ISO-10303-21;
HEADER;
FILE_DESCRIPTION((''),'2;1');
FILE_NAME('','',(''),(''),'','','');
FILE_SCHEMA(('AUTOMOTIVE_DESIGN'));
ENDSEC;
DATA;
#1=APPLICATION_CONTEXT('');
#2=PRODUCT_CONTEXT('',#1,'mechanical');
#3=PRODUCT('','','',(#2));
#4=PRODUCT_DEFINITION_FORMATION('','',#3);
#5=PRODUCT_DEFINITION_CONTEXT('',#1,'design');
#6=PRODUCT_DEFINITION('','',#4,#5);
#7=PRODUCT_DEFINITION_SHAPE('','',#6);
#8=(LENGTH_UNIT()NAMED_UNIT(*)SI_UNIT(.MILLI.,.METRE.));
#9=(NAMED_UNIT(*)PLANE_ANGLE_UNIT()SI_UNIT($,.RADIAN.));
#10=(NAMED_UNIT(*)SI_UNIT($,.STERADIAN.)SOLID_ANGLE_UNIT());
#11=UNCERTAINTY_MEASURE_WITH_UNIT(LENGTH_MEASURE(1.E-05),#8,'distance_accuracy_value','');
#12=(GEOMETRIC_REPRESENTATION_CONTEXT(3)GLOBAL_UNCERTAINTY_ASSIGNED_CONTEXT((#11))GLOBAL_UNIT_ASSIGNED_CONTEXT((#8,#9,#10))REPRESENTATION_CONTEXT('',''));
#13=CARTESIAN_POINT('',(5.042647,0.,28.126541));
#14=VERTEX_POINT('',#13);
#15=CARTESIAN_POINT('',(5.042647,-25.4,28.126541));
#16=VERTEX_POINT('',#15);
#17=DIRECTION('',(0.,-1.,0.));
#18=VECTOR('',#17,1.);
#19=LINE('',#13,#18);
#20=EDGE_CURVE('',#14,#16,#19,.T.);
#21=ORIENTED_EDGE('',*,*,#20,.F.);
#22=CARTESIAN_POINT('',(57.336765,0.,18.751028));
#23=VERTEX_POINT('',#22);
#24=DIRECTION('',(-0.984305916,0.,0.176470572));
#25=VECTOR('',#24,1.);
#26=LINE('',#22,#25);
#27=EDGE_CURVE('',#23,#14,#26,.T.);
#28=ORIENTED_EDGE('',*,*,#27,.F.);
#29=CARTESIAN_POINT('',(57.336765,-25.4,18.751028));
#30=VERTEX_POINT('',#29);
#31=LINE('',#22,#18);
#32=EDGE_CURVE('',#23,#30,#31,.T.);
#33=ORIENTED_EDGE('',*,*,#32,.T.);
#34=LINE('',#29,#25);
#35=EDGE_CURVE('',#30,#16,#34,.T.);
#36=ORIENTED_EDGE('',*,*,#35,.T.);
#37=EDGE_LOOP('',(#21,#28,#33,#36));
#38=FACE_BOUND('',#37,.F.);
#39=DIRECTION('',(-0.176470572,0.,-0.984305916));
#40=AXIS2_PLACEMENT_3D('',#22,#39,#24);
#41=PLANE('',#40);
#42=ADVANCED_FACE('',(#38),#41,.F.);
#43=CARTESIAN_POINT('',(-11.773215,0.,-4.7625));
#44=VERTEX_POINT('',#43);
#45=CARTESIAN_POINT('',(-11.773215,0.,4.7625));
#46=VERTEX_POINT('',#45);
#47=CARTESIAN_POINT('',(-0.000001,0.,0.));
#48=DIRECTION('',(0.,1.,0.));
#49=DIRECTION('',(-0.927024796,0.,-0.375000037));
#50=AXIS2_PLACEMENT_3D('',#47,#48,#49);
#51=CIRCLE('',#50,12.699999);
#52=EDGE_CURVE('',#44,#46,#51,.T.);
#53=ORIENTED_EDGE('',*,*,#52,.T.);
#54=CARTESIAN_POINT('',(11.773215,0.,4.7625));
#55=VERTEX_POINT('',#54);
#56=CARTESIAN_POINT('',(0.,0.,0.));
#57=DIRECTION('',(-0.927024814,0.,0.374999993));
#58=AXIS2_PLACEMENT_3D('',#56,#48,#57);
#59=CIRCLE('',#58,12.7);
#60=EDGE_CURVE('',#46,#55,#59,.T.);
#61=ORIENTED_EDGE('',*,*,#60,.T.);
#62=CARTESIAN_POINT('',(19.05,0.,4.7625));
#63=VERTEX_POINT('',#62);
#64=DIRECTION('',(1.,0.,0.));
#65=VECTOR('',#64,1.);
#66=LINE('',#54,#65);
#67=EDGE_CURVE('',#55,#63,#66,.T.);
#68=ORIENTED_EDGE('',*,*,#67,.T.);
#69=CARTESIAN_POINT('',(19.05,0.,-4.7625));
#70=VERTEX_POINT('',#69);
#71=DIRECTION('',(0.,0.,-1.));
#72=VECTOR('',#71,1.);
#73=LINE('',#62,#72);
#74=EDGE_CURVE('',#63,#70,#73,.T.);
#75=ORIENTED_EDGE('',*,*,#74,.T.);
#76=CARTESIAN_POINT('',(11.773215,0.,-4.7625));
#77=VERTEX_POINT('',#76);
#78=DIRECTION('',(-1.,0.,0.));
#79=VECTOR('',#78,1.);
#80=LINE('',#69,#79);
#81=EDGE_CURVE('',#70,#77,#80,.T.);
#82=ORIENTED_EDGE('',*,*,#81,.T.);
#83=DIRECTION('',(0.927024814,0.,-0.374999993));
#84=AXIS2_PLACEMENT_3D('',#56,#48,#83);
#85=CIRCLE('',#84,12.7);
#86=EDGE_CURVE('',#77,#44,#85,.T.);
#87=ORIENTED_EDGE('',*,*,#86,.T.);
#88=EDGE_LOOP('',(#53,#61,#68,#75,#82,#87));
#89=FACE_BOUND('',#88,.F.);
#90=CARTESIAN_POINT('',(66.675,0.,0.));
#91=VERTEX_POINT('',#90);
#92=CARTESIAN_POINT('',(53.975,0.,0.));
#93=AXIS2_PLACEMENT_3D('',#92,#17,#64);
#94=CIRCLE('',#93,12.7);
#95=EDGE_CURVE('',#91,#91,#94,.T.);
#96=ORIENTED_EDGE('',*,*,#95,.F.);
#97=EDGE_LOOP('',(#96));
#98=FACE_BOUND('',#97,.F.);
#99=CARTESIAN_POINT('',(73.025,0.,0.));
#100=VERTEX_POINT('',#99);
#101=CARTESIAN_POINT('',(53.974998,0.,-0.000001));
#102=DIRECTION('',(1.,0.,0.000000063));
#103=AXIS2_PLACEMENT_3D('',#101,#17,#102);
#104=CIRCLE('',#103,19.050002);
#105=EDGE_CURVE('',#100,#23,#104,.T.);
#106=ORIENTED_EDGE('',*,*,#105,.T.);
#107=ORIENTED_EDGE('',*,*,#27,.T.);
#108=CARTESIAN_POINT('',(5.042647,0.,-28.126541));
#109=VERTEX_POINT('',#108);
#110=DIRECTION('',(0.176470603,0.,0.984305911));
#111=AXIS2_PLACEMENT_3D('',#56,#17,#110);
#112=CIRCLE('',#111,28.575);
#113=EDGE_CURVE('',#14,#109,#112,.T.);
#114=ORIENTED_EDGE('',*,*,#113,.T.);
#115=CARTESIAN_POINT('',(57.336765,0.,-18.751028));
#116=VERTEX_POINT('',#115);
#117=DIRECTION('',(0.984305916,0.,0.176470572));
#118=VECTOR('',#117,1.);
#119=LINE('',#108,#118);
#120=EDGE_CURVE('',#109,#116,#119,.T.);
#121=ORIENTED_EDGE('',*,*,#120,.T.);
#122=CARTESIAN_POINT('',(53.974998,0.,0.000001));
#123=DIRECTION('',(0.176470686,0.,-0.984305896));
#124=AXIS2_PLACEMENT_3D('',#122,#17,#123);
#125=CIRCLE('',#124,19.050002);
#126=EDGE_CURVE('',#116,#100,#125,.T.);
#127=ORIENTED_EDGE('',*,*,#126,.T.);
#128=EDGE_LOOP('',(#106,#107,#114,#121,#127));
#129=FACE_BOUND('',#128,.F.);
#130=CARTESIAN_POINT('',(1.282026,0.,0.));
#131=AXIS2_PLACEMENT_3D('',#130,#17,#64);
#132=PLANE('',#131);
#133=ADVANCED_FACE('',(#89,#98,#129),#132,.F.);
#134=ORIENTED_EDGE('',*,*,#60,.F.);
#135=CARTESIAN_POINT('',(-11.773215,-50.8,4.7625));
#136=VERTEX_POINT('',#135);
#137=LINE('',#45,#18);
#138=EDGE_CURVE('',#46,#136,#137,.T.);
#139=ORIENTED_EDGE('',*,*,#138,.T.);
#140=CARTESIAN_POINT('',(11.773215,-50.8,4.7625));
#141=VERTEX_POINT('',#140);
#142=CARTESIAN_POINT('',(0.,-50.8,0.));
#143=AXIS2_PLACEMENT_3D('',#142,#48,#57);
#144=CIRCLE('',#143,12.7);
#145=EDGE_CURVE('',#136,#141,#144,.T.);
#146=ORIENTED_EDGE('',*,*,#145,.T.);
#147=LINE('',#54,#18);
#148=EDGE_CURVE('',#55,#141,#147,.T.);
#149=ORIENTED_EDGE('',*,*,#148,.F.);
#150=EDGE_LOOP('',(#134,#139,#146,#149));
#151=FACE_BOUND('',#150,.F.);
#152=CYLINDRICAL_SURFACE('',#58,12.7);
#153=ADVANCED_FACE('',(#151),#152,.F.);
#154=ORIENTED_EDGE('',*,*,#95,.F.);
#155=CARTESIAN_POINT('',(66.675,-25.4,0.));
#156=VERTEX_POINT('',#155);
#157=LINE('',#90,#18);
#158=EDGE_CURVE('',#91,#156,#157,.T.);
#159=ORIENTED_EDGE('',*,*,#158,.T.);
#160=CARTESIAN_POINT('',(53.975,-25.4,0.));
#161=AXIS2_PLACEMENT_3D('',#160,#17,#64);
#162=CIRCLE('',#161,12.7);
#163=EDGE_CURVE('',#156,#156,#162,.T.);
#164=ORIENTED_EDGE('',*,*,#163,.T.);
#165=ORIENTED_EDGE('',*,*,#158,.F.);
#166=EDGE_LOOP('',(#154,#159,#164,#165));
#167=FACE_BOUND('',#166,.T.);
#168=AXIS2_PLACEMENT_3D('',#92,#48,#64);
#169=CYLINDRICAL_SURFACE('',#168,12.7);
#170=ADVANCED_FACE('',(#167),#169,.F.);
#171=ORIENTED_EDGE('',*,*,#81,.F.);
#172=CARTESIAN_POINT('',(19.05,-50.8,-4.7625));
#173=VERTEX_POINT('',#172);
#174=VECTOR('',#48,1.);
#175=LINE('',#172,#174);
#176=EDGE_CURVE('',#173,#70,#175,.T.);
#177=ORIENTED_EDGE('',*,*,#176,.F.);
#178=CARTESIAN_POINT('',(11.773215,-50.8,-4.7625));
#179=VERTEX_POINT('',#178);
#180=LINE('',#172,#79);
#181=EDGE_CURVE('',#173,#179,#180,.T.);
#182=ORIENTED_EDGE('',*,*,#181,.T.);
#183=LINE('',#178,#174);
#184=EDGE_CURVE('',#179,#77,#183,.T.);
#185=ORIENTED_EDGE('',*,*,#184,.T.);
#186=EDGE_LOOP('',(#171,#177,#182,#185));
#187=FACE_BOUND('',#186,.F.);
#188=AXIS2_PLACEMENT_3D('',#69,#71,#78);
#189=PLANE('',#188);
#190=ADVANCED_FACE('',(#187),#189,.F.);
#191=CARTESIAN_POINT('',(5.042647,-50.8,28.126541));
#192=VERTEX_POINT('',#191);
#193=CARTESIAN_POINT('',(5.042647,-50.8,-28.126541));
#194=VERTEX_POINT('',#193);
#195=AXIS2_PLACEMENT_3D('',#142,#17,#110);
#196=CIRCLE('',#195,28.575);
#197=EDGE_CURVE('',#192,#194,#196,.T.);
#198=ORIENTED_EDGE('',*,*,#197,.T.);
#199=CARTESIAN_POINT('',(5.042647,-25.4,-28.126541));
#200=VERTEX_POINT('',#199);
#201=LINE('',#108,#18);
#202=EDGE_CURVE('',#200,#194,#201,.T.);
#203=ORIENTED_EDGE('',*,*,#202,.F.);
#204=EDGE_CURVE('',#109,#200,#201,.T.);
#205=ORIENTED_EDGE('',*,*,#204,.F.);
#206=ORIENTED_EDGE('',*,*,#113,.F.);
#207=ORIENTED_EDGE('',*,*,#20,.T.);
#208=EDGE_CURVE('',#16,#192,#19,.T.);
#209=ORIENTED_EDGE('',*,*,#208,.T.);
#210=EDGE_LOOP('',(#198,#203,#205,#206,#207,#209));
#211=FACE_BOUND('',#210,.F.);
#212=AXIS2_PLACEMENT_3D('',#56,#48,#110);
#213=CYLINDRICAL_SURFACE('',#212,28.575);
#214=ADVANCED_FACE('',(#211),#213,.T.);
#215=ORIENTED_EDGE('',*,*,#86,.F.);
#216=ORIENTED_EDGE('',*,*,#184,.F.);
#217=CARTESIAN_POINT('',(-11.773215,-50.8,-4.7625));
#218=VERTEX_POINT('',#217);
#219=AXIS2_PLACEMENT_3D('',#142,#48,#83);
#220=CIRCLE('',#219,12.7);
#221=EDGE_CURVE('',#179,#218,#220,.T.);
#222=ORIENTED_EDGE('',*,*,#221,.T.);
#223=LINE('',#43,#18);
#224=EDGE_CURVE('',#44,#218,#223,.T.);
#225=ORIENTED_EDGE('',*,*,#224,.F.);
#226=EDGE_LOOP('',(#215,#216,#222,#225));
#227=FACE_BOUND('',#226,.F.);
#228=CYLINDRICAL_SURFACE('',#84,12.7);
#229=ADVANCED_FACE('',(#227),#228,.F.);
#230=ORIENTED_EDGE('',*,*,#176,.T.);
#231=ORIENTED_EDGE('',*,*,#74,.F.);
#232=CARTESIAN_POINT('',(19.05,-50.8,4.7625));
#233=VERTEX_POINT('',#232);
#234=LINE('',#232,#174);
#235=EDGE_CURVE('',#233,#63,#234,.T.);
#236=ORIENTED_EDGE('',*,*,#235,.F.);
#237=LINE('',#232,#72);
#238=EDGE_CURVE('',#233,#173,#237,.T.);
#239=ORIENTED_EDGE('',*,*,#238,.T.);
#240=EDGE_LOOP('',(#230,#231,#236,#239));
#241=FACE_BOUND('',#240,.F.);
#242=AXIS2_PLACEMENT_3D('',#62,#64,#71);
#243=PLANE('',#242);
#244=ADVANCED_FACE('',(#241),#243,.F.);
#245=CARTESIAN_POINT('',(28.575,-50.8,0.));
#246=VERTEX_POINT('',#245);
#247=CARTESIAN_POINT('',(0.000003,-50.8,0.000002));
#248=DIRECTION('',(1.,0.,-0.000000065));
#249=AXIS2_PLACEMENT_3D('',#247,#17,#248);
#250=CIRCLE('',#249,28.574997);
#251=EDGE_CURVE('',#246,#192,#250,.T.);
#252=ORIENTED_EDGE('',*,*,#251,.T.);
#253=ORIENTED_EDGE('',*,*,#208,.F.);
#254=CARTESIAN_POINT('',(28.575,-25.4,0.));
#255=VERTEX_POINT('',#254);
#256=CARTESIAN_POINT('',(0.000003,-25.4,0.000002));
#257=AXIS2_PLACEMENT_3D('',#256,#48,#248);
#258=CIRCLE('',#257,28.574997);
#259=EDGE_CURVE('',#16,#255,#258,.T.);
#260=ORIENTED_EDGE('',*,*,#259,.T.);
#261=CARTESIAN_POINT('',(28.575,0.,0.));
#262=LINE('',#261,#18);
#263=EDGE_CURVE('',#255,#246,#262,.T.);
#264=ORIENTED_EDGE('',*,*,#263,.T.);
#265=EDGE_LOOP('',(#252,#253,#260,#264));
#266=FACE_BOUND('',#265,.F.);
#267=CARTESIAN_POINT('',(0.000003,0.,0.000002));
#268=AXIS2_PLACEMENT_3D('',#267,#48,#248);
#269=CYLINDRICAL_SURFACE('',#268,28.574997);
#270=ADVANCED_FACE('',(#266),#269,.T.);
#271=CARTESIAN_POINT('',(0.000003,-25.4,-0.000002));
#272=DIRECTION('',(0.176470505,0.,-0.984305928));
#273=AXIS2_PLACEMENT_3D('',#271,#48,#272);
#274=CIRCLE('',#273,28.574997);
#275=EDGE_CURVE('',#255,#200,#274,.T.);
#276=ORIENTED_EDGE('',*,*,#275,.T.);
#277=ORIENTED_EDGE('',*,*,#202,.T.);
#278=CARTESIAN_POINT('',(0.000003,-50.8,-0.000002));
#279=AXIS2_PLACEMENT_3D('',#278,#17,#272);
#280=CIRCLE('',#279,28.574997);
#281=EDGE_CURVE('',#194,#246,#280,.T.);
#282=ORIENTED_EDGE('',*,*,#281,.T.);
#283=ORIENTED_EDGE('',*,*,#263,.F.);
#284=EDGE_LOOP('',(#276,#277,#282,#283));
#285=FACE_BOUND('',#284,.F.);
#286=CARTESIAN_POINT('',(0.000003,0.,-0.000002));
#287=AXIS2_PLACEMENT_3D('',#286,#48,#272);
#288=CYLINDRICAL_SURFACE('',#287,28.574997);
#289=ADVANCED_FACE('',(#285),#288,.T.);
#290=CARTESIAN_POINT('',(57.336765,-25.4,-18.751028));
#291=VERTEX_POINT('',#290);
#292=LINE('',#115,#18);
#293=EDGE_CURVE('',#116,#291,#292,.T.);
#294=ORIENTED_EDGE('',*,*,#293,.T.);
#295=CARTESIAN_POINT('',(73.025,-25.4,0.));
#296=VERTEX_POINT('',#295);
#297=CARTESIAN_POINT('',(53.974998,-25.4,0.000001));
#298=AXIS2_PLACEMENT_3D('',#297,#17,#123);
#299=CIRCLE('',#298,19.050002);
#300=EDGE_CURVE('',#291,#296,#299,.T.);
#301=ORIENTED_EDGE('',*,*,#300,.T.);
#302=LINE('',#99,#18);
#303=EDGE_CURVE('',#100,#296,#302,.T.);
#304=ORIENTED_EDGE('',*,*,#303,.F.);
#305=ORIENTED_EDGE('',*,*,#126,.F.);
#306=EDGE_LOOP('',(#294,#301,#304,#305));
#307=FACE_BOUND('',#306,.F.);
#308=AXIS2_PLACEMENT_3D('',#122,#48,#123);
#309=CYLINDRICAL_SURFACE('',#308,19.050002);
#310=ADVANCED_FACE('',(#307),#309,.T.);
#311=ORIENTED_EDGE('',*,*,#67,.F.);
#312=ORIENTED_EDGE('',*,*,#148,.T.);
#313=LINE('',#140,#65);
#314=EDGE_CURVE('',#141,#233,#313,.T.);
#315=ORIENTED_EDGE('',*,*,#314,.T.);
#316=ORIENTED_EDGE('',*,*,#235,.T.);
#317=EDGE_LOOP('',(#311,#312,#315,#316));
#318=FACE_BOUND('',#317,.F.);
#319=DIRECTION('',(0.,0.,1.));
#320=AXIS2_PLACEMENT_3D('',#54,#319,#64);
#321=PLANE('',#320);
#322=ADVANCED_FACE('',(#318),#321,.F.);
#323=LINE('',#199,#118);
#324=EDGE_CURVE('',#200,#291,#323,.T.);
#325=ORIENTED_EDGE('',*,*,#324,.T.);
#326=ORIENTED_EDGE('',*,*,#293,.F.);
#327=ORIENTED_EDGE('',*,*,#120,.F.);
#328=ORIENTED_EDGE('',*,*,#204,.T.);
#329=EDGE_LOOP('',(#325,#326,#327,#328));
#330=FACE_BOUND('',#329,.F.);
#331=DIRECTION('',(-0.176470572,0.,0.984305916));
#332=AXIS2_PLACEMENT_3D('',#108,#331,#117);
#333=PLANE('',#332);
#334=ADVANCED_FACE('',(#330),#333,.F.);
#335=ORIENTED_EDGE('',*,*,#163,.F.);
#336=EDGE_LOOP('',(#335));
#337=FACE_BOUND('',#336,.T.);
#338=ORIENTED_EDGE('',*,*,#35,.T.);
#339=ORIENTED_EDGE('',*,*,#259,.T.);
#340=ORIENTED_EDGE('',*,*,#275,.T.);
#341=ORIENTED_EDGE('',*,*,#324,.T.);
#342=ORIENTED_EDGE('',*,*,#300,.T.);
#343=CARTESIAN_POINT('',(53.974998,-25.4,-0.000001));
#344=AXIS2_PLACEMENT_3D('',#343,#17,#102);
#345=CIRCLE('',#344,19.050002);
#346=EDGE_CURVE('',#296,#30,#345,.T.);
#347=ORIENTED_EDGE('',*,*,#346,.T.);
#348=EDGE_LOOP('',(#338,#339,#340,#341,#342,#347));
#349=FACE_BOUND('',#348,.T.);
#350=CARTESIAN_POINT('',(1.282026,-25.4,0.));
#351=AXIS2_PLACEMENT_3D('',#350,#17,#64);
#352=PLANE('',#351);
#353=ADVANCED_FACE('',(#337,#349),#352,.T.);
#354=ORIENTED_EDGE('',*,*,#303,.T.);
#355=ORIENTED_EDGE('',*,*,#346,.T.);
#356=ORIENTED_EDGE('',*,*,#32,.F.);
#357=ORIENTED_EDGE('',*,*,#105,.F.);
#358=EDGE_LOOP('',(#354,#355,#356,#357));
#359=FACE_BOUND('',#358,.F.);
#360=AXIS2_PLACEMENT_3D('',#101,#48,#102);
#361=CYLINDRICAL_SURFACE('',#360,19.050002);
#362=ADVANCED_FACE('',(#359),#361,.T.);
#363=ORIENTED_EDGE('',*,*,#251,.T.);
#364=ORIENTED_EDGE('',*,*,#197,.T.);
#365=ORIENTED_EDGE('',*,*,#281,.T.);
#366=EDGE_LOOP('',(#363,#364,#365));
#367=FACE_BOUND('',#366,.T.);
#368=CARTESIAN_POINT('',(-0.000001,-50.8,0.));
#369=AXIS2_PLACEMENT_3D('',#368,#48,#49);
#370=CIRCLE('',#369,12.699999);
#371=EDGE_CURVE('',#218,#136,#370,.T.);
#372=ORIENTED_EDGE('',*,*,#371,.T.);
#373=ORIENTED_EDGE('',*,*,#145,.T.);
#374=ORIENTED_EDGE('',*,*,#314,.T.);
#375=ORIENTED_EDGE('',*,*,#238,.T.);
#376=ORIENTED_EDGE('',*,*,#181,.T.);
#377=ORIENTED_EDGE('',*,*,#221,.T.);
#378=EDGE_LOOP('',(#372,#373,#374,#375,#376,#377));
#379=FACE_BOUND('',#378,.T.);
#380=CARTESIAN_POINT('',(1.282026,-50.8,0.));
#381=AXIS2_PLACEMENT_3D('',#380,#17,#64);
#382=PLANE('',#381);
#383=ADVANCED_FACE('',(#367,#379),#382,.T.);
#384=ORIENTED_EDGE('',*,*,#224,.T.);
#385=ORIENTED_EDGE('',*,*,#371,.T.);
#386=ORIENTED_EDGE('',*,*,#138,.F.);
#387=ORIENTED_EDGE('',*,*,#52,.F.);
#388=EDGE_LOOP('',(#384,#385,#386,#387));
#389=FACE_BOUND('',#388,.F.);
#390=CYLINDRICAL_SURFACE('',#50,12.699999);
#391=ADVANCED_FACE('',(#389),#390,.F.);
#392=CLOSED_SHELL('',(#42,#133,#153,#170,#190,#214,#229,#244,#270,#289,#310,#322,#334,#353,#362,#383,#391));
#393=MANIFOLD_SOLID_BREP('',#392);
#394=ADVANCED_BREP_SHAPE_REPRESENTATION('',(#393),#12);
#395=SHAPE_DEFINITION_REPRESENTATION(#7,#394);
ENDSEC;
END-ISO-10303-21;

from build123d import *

# Parameters (mm, degrees)
F0_R     = 12.7
F1_DEPTH = 25.4
F2_DEPTH = 50.8


with BuildPart() as f1:
    # F0 (on Front) → F1 (new body)
    with BuildSketch(Plane.XZ):
        with BuildLine():
            ThreePointArc((5.042647, -28.126541), (21.916025, -18.336262), (28.575, 0))
            ThreePointArc((28.575, 0), (21.916025, 18.336262), (5.042647, 28.126541))
            ThreePointArc((5.042647, 28.126541), (-28.575, 0), (5.042647, -28.126541))
        make_face()
        with BuildLine():
            ThreePointArc((-11.773215, 4.7625), (0, 12.7), (11.773215, 4.7625))
            Line((11.773215, 4.7625), (19.05, 4.7625))
            Line((19.05, 4.7625), (19.05, -4.7625))
            Line((19.05, -4.7625), (11.773215, -4.7625))
            ThreePointArc((11.773215, -4.7625), (0, -12.7), (-11.773215, -4.7625))
            Line((-11.773215, -4.7625), (-19.05, -4.7625))
            Line((-19.05, -4.7625), (-19.05, 4.7625))
            Line((-19.05, 4.7625), (-11.773215, 4.7625))
        make_face(mode=Mode.SUBTRACT)
        with BuildLine():
            ThreePointArc((-11.773215, -4.7625), (-12.7, 0), (-11.773215, 4.7625))
            Line((-11.773215, 4.7625), (-19.05, 4.7625))
            Line((-19.05, 4.7625), (-19.05, -4.7625))
            Line((-19.05, -4.7625), (-11.773215, -4.7625))
        make_face()
        with BuildLine():
            ThreePointArc((73.025, 0), (68.585683, 12.224174), (57.336765, 18.751028))
            ThreePointArc((57.336765, 18.751028), (34.925, 0), (57.336765, -18.751028))
            ThreePointArc((57.336765, -18.751028), (68.585683, -12.224174), (73.025, 0))
        make_face()
        with Locations((53.975, 0)):
            Circle(F0_R, mode=Mode.SUBTRACT)
        with BuildLine():
            ThreePointArc((5.042647, 28.126541), (21.916025, 18.336262), (28.575, 0))
            ThreePointArc((28.575, 0), (21.916025, -18.336262), (5.042647, -28.126541))
            Line((5.042647, -28.126541), (57.336765, -18.751028))
            ThreePointArc((57.336765, -18.751028), (34.925, 0), (57.336765, 18.751028))
            Line((57.336765, 18.751028), (5.042647, 28.126541))
        make_face()
    extrude(amount=F1_DEPTH)

    # F0 (on Front) → F2 (join)
    with BuildSketch(Plane.XZ):
        with BuildLine():
            ThreePointArc((5.042647, -28.126541), (21.916025, -18.336262), (28.575, 0))
            ThreePointArc((28.575, 0), (21.916025, 18.336262), (5.042647, 28.126541))
            ThreePointArc((5.042647, 28.126541), (-28.575, 0), (5.042647, -28.126541))
        make_face()
        with BuildLine():
            ThreePointArc((-11.773215, 4.7625), (0, 12.7), (11.773215, 4.7625))
            Line((11.773215, 4.7625), (19.05, 4.7625))
            Line((19.05, 4.7625), (19.05, -4.7625))
            Line((19.05, -4.7625), (11.773215, -4.7625))
            ThreePointArc((11.773215, -4.7625), (0, -12.7), (-11.773215, -4.7625))
            Line((-11.773215, -4.7625), (-19.05, -4.7625))
            Line((-19.05, -4.7625), (-19.05, 4.7625))
            Line((-19.05, 4.7625), (-11.773215, 4.7625))
        make_face(mode=Mode.SUBTRACT)
        with BuildLine():
            ThreePointArc((-11.773215, -4.7625), (-12.7, 0), (-11.773215, 4.7625))
            Line((-11.773215, 4.7625), (-19.05, 4.7625))
            Line((-19.05, 4.7625), (-19.05, -4.7625))
            Line((-19.05, -4.7625), (-11.773215, -4.7625))
        make_face()
    extrude(amount=F2_DEPTH)


solid = f1.part
